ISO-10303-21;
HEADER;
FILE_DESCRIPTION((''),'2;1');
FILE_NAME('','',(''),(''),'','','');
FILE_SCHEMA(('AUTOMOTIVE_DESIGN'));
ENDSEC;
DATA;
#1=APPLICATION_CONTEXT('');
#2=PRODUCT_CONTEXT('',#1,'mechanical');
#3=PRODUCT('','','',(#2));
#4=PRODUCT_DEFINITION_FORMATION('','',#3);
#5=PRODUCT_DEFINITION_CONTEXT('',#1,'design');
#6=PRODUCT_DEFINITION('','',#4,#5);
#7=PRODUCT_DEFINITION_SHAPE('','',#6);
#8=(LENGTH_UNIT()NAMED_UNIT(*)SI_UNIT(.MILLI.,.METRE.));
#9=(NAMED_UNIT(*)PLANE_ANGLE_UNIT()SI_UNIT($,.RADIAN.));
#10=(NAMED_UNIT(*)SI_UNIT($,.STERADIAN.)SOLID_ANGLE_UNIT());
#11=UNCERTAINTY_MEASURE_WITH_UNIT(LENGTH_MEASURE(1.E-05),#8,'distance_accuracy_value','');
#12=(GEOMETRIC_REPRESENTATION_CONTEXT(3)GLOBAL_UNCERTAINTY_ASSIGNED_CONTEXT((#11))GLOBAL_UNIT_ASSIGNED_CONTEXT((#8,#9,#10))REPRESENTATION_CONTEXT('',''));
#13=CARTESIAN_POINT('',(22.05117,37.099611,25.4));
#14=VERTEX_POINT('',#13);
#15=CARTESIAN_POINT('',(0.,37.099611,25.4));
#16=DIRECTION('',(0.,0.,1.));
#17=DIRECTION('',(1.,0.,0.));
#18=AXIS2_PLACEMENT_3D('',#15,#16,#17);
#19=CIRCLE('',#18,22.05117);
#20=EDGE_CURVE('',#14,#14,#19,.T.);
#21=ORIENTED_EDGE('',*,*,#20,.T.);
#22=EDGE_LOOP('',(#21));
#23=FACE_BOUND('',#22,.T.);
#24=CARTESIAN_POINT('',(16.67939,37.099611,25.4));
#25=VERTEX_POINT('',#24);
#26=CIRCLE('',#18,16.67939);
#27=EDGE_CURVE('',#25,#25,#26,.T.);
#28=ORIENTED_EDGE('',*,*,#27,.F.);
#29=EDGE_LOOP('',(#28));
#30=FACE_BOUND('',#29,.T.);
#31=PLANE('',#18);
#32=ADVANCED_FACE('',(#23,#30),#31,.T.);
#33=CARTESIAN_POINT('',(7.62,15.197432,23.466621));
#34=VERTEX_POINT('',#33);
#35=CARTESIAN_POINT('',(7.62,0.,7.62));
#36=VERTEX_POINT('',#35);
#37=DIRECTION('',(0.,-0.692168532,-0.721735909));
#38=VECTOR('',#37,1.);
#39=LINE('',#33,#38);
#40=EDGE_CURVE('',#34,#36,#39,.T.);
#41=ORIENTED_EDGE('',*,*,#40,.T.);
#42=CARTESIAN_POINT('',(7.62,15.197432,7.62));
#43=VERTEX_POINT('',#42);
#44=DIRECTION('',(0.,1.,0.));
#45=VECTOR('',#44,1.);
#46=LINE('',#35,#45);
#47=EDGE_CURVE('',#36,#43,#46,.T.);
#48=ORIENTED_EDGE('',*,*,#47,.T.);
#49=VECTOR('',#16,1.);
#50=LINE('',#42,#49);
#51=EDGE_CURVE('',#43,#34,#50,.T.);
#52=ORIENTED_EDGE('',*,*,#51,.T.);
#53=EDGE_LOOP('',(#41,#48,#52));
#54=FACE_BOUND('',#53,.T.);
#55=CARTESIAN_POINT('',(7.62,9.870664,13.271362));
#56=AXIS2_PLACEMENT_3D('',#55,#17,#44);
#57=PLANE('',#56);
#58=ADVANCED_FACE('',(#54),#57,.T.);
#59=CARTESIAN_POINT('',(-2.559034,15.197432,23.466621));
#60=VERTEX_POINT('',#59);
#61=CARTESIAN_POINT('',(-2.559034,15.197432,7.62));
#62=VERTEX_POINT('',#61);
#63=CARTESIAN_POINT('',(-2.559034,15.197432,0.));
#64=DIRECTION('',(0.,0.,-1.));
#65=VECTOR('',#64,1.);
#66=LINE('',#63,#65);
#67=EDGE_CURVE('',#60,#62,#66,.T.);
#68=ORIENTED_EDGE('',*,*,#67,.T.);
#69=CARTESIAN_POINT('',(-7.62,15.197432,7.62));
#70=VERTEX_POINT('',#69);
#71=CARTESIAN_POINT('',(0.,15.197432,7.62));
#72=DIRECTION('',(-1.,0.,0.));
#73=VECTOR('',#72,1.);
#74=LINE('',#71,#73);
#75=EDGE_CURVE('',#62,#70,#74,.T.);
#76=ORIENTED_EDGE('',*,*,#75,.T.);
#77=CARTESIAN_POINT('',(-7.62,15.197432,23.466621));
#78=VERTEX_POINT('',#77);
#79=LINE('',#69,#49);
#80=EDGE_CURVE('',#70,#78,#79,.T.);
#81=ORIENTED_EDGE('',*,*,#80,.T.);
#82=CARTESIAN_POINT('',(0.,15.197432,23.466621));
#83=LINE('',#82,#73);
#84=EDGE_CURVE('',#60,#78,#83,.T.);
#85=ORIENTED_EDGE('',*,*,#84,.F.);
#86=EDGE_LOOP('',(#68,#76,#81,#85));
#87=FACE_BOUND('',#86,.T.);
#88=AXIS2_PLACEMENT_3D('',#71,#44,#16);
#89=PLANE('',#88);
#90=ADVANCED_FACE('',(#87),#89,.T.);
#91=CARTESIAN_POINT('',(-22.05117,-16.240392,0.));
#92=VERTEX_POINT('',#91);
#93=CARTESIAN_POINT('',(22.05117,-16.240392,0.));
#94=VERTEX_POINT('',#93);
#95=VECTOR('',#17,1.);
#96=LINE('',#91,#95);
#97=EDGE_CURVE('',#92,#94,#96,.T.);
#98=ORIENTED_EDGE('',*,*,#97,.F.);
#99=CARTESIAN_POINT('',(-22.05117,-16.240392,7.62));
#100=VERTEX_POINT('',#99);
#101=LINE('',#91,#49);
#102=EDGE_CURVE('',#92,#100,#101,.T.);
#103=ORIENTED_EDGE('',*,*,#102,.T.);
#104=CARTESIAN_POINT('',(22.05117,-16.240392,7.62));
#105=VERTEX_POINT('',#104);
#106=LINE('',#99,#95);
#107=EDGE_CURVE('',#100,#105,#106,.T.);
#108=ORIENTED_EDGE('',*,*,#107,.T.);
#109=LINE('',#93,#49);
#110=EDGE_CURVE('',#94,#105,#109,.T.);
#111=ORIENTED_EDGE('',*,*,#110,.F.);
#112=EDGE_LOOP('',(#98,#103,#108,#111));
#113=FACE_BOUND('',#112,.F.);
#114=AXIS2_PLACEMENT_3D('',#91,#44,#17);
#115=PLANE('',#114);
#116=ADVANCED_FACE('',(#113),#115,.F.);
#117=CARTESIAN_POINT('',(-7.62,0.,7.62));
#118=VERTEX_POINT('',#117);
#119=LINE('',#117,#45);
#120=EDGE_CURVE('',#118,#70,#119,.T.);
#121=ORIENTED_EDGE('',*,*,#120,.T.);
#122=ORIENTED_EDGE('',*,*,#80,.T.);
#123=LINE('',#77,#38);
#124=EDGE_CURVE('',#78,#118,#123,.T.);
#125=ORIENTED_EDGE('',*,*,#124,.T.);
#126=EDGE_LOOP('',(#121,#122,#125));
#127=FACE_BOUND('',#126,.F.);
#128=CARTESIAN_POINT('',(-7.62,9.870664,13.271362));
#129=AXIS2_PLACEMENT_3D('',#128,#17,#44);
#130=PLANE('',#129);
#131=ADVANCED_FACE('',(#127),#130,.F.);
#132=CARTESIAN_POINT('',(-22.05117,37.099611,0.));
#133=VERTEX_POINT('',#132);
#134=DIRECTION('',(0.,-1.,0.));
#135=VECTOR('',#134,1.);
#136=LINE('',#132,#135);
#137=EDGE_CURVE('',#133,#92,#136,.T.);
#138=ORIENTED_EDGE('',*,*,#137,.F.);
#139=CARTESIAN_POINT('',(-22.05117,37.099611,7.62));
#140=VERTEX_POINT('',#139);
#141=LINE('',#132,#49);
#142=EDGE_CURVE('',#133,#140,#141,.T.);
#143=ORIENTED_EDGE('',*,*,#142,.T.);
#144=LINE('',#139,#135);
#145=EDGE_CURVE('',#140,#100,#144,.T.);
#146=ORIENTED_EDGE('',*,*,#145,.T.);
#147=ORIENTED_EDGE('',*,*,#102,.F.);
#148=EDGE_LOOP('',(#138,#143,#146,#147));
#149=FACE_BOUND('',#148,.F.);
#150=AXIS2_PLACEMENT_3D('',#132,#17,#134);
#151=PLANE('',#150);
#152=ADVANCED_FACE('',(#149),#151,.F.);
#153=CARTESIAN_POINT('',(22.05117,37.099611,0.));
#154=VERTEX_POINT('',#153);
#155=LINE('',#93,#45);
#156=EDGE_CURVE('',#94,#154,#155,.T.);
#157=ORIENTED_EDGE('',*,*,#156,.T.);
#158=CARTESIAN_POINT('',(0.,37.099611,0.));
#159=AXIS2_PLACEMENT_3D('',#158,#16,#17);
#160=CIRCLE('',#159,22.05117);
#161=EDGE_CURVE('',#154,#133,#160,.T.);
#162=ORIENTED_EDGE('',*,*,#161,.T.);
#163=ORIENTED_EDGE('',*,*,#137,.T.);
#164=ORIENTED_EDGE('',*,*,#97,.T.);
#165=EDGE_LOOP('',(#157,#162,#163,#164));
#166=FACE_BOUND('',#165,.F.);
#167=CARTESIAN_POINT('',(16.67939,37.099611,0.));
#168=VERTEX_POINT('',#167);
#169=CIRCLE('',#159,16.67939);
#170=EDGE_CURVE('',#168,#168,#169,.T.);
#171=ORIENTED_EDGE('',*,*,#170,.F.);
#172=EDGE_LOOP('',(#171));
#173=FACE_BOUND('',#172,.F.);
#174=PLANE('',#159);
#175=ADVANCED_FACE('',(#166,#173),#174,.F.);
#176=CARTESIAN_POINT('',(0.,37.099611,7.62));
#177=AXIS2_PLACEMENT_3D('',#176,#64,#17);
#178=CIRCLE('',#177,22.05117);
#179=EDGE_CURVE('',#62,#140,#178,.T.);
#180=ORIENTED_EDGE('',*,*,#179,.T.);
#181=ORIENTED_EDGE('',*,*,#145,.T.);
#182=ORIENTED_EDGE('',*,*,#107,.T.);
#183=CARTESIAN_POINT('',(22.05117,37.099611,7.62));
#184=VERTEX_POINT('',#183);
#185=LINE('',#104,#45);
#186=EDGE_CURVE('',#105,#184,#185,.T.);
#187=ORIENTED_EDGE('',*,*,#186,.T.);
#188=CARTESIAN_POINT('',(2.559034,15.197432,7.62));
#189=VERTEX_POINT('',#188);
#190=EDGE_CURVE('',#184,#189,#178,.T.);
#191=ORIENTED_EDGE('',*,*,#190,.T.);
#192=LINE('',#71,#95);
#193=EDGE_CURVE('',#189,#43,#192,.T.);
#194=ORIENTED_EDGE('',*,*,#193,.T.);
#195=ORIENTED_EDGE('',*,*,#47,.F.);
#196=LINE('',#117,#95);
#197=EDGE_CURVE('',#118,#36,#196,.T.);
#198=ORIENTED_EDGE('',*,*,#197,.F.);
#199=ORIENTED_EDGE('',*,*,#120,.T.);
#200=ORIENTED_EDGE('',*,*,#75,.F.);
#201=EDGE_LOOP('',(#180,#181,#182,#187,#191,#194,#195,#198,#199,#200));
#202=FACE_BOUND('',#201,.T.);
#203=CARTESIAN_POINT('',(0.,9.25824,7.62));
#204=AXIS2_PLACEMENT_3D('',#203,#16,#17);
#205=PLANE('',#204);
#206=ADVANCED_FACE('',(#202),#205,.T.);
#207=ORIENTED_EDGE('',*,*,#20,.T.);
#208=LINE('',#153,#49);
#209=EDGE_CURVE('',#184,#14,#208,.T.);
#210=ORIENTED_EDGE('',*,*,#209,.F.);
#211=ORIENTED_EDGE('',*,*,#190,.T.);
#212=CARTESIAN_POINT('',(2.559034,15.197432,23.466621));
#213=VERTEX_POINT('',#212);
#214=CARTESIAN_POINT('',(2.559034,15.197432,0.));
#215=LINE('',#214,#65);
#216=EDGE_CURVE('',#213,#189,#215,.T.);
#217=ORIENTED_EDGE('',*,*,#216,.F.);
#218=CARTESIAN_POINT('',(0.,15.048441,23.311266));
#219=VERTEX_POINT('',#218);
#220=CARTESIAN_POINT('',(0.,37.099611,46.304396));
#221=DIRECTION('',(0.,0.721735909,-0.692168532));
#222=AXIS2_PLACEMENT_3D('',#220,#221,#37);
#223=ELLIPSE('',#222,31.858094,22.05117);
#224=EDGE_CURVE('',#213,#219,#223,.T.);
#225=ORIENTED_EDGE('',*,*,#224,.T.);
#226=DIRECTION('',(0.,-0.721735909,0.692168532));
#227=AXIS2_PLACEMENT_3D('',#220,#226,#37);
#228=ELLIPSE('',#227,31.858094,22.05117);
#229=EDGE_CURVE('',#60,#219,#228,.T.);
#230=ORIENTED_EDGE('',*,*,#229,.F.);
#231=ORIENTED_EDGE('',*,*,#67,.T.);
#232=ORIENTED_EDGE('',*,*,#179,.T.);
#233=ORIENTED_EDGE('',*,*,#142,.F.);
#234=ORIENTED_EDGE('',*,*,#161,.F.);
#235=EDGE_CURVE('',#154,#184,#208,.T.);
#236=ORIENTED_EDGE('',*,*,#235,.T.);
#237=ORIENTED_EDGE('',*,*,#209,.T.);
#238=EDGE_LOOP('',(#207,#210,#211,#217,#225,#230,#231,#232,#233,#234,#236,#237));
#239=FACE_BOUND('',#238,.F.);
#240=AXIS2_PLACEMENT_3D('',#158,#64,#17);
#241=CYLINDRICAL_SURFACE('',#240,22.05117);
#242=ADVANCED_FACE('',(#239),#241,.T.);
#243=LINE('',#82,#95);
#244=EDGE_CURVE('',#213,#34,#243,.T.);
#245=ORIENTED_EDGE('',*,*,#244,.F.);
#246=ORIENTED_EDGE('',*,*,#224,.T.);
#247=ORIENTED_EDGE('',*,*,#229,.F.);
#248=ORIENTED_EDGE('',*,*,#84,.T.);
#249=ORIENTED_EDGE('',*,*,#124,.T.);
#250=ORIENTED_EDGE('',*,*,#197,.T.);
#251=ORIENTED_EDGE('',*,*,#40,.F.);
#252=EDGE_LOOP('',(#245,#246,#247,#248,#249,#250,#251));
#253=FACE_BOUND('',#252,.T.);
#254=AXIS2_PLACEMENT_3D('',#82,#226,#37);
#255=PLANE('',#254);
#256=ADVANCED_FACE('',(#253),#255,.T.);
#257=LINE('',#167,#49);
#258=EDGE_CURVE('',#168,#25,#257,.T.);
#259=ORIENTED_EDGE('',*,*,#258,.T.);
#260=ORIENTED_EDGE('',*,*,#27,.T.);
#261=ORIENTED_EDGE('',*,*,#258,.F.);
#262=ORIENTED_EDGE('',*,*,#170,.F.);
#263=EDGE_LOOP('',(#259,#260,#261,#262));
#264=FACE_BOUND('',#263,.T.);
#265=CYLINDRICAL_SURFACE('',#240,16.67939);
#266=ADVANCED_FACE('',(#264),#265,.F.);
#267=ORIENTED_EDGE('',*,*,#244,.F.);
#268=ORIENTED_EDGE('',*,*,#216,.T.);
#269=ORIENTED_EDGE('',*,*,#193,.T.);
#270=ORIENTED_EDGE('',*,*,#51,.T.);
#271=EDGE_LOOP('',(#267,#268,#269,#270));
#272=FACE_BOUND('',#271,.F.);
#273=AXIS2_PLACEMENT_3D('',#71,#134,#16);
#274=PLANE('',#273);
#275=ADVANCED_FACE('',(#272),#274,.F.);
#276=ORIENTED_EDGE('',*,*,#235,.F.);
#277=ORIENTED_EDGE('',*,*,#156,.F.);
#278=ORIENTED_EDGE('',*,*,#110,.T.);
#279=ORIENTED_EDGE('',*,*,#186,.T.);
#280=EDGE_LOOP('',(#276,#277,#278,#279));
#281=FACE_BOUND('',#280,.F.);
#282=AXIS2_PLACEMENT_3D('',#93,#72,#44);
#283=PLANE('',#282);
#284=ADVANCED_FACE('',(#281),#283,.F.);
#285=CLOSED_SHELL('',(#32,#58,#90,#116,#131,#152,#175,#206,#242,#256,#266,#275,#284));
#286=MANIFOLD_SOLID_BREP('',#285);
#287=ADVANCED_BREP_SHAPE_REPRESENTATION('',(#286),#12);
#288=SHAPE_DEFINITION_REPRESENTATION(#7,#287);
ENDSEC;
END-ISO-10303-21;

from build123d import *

# Parameters (mm, degrees)
F1_DEPTH      = 7.62
F0_R          = 16.67939
F2_DEPTH      = 25.4
F4_DEPTH      = 7.62
F4_DEPTH_BACK = 7.62


with BuildPart() as f1:
    # F0 (on Top) → F1 (new body)
    with BuildSketch(Plane.XY):
        with BuildLine():
            Line((22.05117, -16.240392), (22.05117, 37.099611))
            ThreePointArc((22.05117, 37.099611), (0, 15.048441), (-22.05117, 37.099611))
            Line((-22.05117, 37.099611), (-22.05117, -16.240392))
            Line((-22.05117, -16.240392), (22.05117, -16.240392))
        make_face()
    extrude(amount=F1_DEPTH)

    # F0 (on Top) → F2 (join)
    with BuildSketch(Plane.XY):
        with BuildLine():
            ThreePointArc((-22.05117, 37.099611), (0, 15.048441), (22.05117, 37.099611))
            ThreePointArc((22.05117, 37.099611), (0, 59.150781), (-22.05117, 37.099611))
        make_face()
        with Locations((0, 37.099611)):
            Circle(F0_R, mode=Mode.SUBTRACT)
    extrude(amount=F2_DEPTH)

    # F3 (on Right) → F4 (join, two sides)
    with BuildSketch(Plane.YZ) as f4_sk:
        Polygon((15.197432, 23.466621), (0, 7.62), (15.197432, 7.62), align=None)
    extrude(amount=F4_DEPTH)
    extrude(f4_sk.sketch, amount=-F4_DEPTH_BACK)


solid = f1.part
